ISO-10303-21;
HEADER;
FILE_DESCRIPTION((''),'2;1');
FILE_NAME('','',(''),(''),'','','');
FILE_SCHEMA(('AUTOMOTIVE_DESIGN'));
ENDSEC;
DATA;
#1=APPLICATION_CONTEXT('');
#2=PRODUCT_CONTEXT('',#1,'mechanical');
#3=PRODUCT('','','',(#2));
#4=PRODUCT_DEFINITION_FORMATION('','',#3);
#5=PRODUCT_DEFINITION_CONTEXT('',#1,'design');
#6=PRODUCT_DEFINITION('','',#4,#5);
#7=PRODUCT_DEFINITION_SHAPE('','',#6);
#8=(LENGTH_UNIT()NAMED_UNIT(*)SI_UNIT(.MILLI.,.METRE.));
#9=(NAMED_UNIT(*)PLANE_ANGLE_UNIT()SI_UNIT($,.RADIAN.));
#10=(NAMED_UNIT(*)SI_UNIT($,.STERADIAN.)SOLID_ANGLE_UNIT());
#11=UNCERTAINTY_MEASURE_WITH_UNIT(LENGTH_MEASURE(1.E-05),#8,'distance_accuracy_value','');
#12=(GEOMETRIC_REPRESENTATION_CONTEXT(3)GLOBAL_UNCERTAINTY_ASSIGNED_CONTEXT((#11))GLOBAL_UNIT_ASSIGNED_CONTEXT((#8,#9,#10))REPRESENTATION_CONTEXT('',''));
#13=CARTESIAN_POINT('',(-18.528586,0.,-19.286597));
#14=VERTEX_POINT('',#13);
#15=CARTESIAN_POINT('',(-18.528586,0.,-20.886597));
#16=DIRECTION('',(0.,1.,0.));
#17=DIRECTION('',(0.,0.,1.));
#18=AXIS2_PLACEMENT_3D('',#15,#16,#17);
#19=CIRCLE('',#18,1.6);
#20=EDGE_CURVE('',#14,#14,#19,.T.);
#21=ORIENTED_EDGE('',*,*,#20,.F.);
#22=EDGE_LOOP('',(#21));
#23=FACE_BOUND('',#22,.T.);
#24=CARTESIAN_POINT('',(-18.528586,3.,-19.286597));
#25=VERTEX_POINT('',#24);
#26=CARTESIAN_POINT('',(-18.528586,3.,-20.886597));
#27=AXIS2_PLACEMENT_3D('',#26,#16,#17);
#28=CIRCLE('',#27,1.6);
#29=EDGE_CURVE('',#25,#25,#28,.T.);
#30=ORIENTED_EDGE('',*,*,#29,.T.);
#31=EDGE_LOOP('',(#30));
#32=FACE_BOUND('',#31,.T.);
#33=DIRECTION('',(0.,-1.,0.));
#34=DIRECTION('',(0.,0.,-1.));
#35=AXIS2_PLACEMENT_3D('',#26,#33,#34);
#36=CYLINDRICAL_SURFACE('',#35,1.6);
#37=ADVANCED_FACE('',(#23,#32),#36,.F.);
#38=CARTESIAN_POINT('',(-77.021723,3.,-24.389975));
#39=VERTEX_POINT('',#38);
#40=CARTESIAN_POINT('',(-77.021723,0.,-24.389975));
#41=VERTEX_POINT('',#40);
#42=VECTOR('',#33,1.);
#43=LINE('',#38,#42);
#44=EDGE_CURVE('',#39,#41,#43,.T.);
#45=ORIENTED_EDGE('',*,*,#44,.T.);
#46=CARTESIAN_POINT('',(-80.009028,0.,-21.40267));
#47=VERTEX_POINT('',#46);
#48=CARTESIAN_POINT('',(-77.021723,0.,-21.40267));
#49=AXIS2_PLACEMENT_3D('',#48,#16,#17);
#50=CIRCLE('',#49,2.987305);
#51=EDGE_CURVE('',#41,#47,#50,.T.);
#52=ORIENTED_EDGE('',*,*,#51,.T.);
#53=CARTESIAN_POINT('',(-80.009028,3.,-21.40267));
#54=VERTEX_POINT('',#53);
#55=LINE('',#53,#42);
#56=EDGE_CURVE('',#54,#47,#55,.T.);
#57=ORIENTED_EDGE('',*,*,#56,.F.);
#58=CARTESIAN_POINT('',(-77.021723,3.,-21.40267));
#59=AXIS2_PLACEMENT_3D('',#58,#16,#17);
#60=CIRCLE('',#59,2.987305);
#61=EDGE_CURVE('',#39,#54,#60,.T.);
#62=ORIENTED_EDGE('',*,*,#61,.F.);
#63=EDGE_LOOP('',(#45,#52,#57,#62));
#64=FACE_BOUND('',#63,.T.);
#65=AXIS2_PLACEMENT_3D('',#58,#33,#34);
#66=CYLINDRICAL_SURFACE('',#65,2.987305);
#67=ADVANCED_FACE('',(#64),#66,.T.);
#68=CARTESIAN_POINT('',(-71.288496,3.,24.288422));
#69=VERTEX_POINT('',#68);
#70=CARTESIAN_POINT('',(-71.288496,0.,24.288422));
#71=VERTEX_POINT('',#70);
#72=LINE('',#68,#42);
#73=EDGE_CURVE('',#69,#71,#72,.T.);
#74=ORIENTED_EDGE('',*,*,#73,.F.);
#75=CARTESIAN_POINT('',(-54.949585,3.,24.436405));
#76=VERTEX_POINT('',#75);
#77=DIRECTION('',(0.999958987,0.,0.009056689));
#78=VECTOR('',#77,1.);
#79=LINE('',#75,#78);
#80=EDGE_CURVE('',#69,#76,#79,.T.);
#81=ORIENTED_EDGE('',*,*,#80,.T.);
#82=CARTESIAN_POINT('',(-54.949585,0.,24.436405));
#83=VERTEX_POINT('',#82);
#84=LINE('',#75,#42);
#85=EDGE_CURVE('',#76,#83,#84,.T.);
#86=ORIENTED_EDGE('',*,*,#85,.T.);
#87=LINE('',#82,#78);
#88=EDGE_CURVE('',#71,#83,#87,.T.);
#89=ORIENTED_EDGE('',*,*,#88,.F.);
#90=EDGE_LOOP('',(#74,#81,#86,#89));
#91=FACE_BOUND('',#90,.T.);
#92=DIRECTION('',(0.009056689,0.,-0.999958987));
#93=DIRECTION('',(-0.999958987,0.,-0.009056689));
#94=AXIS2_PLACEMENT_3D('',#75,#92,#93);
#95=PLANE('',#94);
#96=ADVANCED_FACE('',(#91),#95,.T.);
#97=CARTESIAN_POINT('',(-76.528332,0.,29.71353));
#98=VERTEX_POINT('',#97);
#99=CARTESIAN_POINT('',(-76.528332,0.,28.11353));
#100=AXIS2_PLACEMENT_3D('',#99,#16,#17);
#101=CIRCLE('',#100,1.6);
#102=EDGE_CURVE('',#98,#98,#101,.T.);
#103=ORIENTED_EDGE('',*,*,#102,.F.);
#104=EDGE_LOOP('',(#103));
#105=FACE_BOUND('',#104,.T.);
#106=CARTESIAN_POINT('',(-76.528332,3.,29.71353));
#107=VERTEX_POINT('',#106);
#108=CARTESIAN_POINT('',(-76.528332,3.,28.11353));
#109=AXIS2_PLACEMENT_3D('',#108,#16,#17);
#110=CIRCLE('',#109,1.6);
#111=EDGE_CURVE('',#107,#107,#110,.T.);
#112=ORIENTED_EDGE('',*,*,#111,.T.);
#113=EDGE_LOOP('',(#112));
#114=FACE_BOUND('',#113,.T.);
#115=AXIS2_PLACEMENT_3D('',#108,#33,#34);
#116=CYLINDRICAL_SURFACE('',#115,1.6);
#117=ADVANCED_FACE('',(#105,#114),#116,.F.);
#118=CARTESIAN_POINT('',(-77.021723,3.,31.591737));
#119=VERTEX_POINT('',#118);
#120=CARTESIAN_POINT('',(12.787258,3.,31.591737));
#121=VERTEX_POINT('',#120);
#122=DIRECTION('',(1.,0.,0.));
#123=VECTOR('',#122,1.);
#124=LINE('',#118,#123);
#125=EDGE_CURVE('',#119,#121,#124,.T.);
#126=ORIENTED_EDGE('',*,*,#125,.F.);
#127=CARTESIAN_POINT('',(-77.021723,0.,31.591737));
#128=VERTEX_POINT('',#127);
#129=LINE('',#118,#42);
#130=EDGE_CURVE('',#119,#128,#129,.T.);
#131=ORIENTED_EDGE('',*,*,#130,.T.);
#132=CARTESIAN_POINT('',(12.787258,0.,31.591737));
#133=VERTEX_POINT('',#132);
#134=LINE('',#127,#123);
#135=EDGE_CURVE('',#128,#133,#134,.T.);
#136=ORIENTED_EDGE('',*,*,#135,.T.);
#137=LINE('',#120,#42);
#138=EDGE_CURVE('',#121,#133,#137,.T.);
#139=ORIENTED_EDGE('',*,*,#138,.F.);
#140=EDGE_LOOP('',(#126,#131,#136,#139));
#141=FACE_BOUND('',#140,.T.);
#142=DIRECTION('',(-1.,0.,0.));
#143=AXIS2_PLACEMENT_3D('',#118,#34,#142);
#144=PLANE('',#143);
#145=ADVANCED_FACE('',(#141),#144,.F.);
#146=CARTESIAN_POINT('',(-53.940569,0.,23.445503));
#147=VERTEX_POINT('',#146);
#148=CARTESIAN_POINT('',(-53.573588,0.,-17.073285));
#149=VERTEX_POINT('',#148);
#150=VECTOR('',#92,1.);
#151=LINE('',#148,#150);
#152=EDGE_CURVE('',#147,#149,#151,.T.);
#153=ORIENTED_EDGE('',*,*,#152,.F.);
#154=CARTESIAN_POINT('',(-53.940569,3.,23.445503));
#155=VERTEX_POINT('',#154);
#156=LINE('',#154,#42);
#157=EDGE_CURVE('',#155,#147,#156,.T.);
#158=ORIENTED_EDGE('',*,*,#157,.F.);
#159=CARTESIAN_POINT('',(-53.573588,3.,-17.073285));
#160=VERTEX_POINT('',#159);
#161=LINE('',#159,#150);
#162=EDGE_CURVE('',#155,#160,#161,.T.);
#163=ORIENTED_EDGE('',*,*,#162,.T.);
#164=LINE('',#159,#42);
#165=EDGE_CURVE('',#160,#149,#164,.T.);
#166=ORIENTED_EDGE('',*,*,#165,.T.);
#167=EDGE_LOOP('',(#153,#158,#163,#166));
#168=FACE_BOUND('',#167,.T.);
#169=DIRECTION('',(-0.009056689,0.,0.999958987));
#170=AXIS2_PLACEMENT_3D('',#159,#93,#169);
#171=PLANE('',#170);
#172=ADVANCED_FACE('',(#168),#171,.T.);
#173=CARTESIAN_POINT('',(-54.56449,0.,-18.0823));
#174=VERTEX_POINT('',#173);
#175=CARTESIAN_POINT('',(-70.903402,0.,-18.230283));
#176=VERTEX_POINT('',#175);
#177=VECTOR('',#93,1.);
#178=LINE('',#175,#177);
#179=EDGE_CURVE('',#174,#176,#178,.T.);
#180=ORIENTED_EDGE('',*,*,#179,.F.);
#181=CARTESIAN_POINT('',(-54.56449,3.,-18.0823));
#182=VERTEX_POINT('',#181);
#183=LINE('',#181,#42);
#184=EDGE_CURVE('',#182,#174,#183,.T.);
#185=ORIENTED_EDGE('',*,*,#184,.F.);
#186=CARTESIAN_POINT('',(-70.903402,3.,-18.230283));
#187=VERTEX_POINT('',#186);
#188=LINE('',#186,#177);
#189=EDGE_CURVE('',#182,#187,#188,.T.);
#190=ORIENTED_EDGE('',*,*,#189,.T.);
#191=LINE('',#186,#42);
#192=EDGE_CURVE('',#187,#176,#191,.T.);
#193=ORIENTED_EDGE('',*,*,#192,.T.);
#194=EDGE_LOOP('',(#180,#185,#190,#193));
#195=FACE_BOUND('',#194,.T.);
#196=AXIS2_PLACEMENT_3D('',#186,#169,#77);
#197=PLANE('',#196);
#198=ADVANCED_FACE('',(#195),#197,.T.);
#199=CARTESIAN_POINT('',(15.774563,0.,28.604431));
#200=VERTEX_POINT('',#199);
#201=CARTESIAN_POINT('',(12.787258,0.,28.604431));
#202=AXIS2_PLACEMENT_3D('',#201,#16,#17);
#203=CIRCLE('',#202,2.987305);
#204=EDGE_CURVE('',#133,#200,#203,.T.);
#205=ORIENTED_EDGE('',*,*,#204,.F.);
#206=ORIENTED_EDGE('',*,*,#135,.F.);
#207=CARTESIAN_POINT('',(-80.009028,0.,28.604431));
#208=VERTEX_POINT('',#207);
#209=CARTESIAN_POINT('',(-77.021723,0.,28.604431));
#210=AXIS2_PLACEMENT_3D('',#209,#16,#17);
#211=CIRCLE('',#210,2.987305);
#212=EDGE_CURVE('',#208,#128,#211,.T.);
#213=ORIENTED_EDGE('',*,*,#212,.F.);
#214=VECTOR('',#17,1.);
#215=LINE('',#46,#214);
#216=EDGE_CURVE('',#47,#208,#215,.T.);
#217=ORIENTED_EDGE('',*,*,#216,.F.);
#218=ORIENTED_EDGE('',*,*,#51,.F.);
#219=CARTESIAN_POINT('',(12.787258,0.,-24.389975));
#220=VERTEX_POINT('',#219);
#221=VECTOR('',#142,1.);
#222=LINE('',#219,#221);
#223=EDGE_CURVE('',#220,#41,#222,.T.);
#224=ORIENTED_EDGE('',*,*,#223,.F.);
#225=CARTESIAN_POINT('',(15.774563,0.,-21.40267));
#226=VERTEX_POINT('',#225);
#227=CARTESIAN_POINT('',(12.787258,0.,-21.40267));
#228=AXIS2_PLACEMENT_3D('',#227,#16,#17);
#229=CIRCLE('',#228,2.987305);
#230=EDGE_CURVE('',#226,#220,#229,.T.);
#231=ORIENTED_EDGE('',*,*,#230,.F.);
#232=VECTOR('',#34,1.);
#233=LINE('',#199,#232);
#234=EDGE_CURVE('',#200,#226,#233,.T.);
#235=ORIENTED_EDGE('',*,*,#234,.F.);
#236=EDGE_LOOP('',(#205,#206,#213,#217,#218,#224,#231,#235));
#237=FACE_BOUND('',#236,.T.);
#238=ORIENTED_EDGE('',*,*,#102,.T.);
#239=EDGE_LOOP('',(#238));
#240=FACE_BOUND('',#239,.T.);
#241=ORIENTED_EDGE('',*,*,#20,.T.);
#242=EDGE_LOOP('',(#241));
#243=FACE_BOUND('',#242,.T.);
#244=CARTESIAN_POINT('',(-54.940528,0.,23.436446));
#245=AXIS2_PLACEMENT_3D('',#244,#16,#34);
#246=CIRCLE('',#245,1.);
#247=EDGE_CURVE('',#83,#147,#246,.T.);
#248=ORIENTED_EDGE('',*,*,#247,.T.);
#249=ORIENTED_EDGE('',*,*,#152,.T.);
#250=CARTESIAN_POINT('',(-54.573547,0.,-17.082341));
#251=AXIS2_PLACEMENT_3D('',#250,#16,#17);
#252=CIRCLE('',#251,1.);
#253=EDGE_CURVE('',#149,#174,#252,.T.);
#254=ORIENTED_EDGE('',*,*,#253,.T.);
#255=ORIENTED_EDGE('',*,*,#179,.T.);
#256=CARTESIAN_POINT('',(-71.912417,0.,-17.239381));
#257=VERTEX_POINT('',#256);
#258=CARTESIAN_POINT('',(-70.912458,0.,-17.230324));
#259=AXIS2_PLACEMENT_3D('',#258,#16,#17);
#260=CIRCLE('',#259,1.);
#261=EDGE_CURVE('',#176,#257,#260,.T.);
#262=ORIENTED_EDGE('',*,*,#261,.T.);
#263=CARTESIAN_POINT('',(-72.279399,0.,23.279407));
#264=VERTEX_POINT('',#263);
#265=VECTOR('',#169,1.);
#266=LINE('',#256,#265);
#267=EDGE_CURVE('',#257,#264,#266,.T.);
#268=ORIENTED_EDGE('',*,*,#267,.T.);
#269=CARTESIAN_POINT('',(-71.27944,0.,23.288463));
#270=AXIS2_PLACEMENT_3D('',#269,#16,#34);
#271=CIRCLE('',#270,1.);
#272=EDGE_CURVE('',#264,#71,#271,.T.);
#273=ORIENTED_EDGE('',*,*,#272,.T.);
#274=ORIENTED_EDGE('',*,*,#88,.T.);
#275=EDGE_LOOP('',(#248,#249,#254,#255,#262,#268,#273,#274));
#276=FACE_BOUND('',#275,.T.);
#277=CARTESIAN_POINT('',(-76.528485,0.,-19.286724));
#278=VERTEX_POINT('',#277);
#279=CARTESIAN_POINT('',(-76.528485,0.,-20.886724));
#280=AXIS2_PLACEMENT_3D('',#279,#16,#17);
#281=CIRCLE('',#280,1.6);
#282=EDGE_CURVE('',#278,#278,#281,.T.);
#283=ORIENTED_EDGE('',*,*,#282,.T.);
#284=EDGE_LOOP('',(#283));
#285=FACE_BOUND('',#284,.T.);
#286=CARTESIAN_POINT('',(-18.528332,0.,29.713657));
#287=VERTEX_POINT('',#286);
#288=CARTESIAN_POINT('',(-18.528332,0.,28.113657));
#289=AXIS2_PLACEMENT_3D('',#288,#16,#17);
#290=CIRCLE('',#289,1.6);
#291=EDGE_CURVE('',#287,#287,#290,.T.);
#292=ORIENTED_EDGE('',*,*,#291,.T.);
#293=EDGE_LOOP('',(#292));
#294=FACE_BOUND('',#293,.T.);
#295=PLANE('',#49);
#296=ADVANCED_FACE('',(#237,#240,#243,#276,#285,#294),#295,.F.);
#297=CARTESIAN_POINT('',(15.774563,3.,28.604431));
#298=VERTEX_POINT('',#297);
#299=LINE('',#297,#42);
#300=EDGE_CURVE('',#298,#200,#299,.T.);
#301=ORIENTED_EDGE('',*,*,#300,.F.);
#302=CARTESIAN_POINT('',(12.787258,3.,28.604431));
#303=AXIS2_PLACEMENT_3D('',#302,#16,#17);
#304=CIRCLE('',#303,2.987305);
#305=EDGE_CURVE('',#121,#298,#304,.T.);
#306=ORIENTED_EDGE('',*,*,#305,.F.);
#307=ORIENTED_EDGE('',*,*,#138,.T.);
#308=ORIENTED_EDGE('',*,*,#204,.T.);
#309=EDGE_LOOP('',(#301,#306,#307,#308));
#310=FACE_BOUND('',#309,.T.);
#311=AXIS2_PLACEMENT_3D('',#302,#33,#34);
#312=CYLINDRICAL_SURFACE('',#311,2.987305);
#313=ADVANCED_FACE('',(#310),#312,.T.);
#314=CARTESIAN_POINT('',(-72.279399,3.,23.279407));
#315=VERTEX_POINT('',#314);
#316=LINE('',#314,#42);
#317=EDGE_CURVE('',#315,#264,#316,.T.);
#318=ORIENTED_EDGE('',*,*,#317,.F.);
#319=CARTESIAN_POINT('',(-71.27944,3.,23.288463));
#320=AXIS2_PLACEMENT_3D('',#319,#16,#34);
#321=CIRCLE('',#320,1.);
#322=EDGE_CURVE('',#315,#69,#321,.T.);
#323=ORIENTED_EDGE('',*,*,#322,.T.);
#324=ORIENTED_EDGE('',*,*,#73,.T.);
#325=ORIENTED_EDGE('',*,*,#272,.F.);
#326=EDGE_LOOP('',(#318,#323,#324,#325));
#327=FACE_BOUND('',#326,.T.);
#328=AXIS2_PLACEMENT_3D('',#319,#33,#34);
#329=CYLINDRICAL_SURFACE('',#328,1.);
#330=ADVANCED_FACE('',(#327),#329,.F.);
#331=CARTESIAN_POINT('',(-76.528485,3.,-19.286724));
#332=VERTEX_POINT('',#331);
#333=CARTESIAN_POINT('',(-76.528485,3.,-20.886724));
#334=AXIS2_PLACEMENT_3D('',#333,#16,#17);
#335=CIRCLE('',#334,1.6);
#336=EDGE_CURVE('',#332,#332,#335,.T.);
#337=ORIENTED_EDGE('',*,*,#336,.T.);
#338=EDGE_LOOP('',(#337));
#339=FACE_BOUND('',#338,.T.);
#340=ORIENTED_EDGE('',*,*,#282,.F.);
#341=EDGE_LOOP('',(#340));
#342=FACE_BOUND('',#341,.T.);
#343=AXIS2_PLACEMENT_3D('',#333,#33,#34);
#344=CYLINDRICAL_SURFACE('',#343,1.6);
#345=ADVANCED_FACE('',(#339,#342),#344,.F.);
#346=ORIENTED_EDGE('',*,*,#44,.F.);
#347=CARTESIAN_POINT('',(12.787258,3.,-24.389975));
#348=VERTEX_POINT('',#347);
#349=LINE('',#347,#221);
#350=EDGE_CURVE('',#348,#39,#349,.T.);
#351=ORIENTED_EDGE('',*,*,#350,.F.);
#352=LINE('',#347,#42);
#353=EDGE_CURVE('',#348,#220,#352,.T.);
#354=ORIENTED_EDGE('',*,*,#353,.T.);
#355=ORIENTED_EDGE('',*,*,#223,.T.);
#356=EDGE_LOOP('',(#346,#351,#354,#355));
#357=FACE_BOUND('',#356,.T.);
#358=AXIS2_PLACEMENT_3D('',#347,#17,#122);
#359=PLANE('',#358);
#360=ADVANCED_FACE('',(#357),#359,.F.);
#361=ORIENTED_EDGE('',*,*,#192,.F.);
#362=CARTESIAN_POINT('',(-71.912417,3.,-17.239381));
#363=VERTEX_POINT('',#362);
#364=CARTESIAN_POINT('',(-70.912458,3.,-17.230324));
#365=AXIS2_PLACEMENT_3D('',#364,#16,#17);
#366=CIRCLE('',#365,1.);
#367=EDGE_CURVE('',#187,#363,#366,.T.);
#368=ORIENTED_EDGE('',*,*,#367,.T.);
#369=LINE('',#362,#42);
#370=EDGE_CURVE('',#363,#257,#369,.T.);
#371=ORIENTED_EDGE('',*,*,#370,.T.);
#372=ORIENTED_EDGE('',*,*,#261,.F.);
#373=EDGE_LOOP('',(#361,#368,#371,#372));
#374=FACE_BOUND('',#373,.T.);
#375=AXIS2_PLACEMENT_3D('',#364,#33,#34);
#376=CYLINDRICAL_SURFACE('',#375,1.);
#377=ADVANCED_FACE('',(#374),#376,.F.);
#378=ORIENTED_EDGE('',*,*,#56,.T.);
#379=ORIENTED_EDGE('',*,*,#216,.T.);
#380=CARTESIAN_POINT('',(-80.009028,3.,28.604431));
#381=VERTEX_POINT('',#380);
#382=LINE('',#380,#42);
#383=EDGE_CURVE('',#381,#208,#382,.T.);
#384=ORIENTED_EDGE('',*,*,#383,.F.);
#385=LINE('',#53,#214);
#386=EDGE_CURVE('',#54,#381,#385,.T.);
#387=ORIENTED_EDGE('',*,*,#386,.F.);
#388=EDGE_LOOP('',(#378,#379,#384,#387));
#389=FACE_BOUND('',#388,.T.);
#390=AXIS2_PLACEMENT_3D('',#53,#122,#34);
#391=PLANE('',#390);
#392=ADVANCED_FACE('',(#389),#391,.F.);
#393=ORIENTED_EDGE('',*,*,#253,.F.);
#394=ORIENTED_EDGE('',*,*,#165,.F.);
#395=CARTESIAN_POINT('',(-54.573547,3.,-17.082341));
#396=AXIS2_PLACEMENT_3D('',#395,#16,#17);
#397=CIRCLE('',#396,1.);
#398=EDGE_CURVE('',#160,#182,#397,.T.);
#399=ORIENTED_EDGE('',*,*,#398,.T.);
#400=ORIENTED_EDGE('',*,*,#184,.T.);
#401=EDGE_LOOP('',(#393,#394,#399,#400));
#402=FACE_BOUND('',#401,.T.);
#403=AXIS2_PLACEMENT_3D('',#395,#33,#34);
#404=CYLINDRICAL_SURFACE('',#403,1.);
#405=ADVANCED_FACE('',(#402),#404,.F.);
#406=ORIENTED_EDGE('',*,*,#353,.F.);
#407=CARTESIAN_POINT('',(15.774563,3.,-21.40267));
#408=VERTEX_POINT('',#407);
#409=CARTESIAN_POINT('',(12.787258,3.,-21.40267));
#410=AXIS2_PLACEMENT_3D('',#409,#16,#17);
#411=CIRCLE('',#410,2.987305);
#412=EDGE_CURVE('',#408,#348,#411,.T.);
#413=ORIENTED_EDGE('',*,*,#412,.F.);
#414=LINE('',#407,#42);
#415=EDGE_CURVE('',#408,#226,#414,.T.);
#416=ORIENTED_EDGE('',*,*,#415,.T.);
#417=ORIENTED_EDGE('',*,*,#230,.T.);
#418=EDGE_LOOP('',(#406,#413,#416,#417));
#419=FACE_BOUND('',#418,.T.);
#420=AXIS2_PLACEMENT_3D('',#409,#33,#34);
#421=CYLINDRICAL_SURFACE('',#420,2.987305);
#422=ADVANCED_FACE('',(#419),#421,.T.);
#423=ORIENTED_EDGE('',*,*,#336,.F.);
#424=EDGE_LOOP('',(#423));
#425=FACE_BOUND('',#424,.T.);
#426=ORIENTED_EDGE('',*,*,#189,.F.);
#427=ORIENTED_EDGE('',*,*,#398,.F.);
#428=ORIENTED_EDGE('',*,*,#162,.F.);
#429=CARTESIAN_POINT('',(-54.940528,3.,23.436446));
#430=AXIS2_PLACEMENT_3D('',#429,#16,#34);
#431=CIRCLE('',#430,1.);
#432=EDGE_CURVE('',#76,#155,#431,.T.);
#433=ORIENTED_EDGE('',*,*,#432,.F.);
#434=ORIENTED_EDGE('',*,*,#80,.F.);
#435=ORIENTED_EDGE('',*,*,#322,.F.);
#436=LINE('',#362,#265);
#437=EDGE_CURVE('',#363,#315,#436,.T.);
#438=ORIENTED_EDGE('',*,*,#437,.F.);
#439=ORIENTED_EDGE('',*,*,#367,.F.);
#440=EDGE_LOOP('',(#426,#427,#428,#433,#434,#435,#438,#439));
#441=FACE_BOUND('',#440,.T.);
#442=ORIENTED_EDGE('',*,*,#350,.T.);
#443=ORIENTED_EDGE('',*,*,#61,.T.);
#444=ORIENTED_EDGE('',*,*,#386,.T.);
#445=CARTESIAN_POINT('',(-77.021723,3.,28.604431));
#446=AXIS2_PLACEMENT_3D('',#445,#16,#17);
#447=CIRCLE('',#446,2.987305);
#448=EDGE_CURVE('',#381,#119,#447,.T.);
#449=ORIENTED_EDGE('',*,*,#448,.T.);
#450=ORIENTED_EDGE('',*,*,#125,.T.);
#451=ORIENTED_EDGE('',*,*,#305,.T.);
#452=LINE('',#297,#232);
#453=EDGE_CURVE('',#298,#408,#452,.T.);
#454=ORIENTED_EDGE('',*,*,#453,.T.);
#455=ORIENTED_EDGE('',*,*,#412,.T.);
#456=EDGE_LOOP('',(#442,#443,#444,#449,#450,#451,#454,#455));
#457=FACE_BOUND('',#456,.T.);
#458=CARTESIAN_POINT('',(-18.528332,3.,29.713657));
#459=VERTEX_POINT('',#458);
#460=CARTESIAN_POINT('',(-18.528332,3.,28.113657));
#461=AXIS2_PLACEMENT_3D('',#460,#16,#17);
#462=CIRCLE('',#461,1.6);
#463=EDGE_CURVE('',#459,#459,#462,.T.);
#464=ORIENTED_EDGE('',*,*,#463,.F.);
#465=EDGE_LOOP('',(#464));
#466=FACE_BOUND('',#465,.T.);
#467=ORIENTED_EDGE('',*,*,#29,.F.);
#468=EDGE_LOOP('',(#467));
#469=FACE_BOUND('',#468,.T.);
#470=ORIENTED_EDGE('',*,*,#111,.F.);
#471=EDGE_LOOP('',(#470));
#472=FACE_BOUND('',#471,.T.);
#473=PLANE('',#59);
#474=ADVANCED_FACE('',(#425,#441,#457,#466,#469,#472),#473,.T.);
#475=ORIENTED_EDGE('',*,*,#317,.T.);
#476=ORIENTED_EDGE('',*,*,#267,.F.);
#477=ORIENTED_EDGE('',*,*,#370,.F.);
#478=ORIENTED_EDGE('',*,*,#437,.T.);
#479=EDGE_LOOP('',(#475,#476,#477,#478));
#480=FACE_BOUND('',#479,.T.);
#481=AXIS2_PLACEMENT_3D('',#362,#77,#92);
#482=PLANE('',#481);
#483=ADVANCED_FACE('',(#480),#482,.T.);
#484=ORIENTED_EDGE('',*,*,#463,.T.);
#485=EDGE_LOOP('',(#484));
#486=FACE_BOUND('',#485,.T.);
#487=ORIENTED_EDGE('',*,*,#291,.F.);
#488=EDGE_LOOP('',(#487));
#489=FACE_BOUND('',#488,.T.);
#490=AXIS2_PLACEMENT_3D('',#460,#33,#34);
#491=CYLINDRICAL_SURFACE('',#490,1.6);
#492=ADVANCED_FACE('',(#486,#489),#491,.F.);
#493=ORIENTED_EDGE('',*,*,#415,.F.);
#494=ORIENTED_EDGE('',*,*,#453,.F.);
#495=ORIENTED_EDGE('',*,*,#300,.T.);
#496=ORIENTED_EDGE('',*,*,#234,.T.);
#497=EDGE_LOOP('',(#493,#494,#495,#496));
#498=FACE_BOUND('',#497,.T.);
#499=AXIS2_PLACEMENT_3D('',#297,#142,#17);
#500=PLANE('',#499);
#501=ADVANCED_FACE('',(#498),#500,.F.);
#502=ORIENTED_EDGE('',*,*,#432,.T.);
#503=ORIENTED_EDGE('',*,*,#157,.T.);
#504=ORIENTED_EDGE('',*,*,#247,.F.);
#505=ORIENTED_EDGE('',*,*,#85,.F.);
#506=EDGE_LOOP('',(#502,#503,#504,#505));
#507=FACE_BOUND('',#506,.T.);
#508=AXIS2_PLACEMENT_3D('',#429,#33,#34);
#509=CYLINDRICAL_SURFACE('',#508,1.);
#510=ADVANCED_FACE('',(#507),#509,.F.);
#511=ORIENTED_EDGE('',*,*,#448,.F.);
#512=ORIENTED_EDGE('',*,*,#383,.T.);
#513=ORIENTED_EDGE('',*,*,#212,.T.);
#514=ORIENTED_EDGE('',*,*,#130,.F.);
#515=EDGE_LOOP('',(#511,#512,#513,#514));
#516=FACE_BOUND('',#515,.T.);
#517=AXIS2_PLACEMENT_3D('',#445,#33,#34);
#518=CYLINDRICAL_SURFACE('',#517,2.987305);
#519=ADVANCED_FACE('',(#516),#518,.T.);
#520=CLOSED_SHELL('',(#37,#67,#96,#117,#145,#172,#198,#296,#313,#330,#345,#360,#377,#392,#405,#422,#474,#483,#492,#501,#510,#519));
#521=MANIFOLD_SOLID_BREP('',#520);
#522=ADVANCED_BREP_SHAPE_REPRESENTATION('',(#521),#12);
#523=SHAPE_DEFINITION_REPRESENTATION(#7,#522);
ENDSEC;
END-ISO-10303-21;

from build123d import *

# Parameters (mm, degrees)
SKETCH_1_R      = 1.6
EXTRUDE_1_DEPTH = 3


with BuildPart() as part:
    # 草图1 → 凸台-拉伸1 (new body)
    with BuildSketch(Plane(origin=(0, 0, 0), x_dir=(1, 0, 0), z_dir=(0, 1, 0))):
        with BuildLine():
            Line((-80.009028181, 21.402670377), (-80.009028181, -28.604431477))
            ThreePointArc((-80.009028181, -28.604431477), (-79.134066788, -30.716775138), (-77.021723127, -31.591736531))
            Line((-77.021723127, -31.591736531), (12.787258331, -31.591736531))
            ThreePointArc((12.787258331, -31.591736531), (14.899601993, -30.716775138), (15.774563386, -28.604431477))
            Line((15.774563386, -28.604431477), (15.774563386, 21.402670377))
            ThreePointArc((15.774563386, 21.402670377), (14.899601993, 23.515014039), (12.787258331, 24.389975432))
            Line((12.787258331, 24.389975432), (-77.021723127, 24.389975432))
            ThreePointArc((-77.021723127, 24.389975432), (-79.134066788, 23.515014039), (-80.009028181, 21.402670377))
        make_face()
        with Locations(Location((-76.52848462, 20.886724226, 0), (0, 0, 270))):
            Circle(SKETCH_1_R, mode=Mode.SUBTRACT)
        with Locations(Location((-18.52858622, 20.886597225, 0), (0, 0, 270))):
            Circle(SKETCH_1_R, mode=Mode.SUBTRACT)
        with Locations(Location((-18.52833222, -28.113656775, 0), (0, 0, 270))):
            Circle(SKETCH_1_R, mode=Mode.SUBTRACT)
        with Locations(Location((-76.52833222, -28.113529775, 0), (0, 0, 270))):
            Circle(SKETCH_1_R, mode=Mode.SUBTRACT)
        with BuildLine():
            Line((-70.903401709, 18.230282987), (-54.564490165, 18.082300473))
            ThreePointArc((-54.564490165, 18.082300473), (-53.860065027, 17.78301522), (-53.573587867, 17.073284796))
            Line((-53.573587867, 17.073284796), (-53.940568984, -23.445502526))
            ThreePointArc((-53.940568984, -23.445502526), (-54.239854236, -24.149927664), (-54.94958466, -24.436404824))
            Line((-54.94958466, -24.436404824), (-71.288496204, -24.288422311))
            ThreePointArc((-71.288496204, -24.288422311), (-71.992921342, -23.989137058), (-72.279398502, -23.279406634))
            Line((-72.279398502, -23.279406634), (-71.912417386, 17.239380688))
            ThreePointArc((-71.912417386, 17.239380688), (-71.613132133, 17.943805826), (-70.903401709, 18.230282987))
        make_face(mode=Mode.SUBTRACT)
    extrude(amount=EXTRUDE_1_DEPTH)


solid = part.part
